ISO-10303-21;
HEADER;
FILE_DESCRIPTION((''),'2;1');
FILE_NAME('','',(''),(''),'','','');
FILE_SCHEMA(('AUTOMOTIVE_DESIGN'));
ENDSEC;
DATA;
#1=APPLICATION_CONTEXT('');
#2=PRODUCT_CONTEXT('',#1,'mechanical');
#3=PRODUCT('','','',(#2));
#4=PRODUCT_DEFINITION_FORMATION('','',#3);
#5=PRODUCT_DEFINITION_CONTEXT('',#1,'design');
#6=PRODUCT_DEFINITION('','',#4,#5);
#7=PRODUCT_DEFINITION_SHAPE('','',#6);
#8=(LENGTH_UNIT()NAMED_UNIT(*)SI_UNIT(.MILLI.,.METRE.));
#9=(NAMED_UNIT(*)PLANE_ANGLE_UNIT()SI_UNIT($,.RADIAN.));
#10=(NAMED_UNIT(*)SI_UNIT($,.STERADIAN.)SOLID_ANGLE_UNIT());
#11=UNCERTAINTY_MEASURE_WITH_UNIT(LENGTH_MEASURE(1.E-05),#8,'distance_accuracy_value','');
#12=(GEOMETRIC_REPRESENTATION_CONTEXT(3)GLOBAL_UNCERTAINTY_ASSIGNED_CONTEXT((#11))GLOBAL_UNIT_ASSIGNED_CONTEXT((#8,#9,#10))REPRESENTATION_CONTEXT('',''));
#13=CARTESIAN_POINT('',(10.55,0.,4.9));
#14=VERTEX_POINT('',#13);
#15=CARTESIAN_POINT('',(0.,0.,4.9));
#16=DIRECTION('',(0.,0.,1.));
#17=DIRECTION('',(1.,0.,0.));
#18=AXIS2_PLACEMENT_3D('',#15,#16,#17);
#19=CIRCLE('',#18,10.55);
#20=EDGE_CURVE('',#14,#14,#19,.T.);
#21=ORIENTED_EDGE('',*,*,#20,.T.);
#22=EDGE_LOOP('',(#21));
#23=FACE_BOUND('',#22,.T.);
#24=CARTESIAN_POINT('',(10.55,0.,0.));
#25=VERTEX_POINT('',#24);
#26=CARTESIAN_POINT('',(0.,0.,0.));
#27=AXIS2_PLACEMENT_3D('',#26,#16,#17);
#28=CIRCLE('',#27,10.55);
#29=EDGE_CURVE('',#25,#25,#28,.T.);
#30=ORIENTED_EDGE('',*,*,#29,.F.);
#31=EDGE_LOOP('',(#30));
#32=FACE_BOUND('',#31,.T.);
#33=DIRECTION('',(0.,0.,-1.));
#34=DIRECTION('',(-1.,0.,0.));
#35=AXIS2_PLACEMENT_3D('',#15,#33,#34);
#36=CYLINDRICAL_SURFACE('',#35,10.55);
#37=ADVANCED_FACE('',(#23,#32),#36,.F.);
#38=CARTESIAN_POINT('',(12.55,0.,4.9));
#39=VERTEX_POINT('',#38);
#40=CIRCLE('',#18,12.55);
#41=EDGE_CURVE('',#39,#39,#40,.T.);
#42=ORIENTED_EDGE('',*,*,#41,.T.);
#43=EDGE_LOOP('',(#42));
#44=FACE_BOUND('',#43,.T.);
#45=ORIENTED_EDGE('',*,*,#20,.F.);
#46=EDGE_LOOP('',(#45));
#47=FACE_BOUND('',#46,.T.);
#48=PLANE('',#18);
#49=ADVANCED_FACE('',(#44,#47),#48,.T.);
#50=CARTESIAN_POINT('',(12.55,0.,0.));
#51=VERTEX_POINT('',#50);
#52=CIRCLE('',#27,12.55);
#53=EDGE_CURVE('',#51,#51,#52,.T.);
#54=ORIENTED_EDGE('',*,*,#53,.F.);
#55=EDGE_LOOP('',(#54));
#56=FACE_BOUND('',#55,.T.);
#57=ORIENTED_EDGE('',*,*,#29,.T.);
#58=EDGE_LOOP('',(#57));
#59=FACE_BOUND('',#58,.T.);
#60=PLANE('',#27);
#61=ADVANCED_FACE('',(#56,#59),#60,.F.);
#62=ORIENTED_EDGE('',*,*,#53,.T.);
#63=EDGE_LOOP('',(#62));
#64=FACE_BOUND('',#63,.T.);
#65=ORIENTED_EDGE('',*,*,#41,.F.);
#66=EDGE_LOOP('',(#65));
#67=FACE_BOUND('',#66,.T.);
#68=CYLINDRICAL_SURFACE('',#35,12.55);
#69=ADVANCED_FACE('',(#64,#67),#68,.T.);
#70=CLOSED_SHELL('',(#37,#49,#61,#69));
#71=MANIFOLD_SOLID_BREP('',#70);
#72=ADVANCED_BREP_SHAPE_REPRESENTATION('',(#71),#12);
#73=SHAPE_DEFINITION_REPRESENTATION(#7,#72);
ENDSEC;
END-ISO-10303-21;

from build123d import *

# Parameters (mm, degrees)
SKETCH_1_R      = 12.55
SKETCH_1_R_2    = 10.55
EXTRUDE_1_DEPTH = 4.9


with BuildPart() as part:
    # 草图1 → 拉伸-薄壁1 (new body)
    with BuildSketch(Plane.XY):
        Circle(SKETCH_1_R)
        Circle(SKETCH_1_R_2, mode=Mode.SUBTRACT)
    extrude(amount=EXTRUDE_1_DEPTH)


solid = part.part
